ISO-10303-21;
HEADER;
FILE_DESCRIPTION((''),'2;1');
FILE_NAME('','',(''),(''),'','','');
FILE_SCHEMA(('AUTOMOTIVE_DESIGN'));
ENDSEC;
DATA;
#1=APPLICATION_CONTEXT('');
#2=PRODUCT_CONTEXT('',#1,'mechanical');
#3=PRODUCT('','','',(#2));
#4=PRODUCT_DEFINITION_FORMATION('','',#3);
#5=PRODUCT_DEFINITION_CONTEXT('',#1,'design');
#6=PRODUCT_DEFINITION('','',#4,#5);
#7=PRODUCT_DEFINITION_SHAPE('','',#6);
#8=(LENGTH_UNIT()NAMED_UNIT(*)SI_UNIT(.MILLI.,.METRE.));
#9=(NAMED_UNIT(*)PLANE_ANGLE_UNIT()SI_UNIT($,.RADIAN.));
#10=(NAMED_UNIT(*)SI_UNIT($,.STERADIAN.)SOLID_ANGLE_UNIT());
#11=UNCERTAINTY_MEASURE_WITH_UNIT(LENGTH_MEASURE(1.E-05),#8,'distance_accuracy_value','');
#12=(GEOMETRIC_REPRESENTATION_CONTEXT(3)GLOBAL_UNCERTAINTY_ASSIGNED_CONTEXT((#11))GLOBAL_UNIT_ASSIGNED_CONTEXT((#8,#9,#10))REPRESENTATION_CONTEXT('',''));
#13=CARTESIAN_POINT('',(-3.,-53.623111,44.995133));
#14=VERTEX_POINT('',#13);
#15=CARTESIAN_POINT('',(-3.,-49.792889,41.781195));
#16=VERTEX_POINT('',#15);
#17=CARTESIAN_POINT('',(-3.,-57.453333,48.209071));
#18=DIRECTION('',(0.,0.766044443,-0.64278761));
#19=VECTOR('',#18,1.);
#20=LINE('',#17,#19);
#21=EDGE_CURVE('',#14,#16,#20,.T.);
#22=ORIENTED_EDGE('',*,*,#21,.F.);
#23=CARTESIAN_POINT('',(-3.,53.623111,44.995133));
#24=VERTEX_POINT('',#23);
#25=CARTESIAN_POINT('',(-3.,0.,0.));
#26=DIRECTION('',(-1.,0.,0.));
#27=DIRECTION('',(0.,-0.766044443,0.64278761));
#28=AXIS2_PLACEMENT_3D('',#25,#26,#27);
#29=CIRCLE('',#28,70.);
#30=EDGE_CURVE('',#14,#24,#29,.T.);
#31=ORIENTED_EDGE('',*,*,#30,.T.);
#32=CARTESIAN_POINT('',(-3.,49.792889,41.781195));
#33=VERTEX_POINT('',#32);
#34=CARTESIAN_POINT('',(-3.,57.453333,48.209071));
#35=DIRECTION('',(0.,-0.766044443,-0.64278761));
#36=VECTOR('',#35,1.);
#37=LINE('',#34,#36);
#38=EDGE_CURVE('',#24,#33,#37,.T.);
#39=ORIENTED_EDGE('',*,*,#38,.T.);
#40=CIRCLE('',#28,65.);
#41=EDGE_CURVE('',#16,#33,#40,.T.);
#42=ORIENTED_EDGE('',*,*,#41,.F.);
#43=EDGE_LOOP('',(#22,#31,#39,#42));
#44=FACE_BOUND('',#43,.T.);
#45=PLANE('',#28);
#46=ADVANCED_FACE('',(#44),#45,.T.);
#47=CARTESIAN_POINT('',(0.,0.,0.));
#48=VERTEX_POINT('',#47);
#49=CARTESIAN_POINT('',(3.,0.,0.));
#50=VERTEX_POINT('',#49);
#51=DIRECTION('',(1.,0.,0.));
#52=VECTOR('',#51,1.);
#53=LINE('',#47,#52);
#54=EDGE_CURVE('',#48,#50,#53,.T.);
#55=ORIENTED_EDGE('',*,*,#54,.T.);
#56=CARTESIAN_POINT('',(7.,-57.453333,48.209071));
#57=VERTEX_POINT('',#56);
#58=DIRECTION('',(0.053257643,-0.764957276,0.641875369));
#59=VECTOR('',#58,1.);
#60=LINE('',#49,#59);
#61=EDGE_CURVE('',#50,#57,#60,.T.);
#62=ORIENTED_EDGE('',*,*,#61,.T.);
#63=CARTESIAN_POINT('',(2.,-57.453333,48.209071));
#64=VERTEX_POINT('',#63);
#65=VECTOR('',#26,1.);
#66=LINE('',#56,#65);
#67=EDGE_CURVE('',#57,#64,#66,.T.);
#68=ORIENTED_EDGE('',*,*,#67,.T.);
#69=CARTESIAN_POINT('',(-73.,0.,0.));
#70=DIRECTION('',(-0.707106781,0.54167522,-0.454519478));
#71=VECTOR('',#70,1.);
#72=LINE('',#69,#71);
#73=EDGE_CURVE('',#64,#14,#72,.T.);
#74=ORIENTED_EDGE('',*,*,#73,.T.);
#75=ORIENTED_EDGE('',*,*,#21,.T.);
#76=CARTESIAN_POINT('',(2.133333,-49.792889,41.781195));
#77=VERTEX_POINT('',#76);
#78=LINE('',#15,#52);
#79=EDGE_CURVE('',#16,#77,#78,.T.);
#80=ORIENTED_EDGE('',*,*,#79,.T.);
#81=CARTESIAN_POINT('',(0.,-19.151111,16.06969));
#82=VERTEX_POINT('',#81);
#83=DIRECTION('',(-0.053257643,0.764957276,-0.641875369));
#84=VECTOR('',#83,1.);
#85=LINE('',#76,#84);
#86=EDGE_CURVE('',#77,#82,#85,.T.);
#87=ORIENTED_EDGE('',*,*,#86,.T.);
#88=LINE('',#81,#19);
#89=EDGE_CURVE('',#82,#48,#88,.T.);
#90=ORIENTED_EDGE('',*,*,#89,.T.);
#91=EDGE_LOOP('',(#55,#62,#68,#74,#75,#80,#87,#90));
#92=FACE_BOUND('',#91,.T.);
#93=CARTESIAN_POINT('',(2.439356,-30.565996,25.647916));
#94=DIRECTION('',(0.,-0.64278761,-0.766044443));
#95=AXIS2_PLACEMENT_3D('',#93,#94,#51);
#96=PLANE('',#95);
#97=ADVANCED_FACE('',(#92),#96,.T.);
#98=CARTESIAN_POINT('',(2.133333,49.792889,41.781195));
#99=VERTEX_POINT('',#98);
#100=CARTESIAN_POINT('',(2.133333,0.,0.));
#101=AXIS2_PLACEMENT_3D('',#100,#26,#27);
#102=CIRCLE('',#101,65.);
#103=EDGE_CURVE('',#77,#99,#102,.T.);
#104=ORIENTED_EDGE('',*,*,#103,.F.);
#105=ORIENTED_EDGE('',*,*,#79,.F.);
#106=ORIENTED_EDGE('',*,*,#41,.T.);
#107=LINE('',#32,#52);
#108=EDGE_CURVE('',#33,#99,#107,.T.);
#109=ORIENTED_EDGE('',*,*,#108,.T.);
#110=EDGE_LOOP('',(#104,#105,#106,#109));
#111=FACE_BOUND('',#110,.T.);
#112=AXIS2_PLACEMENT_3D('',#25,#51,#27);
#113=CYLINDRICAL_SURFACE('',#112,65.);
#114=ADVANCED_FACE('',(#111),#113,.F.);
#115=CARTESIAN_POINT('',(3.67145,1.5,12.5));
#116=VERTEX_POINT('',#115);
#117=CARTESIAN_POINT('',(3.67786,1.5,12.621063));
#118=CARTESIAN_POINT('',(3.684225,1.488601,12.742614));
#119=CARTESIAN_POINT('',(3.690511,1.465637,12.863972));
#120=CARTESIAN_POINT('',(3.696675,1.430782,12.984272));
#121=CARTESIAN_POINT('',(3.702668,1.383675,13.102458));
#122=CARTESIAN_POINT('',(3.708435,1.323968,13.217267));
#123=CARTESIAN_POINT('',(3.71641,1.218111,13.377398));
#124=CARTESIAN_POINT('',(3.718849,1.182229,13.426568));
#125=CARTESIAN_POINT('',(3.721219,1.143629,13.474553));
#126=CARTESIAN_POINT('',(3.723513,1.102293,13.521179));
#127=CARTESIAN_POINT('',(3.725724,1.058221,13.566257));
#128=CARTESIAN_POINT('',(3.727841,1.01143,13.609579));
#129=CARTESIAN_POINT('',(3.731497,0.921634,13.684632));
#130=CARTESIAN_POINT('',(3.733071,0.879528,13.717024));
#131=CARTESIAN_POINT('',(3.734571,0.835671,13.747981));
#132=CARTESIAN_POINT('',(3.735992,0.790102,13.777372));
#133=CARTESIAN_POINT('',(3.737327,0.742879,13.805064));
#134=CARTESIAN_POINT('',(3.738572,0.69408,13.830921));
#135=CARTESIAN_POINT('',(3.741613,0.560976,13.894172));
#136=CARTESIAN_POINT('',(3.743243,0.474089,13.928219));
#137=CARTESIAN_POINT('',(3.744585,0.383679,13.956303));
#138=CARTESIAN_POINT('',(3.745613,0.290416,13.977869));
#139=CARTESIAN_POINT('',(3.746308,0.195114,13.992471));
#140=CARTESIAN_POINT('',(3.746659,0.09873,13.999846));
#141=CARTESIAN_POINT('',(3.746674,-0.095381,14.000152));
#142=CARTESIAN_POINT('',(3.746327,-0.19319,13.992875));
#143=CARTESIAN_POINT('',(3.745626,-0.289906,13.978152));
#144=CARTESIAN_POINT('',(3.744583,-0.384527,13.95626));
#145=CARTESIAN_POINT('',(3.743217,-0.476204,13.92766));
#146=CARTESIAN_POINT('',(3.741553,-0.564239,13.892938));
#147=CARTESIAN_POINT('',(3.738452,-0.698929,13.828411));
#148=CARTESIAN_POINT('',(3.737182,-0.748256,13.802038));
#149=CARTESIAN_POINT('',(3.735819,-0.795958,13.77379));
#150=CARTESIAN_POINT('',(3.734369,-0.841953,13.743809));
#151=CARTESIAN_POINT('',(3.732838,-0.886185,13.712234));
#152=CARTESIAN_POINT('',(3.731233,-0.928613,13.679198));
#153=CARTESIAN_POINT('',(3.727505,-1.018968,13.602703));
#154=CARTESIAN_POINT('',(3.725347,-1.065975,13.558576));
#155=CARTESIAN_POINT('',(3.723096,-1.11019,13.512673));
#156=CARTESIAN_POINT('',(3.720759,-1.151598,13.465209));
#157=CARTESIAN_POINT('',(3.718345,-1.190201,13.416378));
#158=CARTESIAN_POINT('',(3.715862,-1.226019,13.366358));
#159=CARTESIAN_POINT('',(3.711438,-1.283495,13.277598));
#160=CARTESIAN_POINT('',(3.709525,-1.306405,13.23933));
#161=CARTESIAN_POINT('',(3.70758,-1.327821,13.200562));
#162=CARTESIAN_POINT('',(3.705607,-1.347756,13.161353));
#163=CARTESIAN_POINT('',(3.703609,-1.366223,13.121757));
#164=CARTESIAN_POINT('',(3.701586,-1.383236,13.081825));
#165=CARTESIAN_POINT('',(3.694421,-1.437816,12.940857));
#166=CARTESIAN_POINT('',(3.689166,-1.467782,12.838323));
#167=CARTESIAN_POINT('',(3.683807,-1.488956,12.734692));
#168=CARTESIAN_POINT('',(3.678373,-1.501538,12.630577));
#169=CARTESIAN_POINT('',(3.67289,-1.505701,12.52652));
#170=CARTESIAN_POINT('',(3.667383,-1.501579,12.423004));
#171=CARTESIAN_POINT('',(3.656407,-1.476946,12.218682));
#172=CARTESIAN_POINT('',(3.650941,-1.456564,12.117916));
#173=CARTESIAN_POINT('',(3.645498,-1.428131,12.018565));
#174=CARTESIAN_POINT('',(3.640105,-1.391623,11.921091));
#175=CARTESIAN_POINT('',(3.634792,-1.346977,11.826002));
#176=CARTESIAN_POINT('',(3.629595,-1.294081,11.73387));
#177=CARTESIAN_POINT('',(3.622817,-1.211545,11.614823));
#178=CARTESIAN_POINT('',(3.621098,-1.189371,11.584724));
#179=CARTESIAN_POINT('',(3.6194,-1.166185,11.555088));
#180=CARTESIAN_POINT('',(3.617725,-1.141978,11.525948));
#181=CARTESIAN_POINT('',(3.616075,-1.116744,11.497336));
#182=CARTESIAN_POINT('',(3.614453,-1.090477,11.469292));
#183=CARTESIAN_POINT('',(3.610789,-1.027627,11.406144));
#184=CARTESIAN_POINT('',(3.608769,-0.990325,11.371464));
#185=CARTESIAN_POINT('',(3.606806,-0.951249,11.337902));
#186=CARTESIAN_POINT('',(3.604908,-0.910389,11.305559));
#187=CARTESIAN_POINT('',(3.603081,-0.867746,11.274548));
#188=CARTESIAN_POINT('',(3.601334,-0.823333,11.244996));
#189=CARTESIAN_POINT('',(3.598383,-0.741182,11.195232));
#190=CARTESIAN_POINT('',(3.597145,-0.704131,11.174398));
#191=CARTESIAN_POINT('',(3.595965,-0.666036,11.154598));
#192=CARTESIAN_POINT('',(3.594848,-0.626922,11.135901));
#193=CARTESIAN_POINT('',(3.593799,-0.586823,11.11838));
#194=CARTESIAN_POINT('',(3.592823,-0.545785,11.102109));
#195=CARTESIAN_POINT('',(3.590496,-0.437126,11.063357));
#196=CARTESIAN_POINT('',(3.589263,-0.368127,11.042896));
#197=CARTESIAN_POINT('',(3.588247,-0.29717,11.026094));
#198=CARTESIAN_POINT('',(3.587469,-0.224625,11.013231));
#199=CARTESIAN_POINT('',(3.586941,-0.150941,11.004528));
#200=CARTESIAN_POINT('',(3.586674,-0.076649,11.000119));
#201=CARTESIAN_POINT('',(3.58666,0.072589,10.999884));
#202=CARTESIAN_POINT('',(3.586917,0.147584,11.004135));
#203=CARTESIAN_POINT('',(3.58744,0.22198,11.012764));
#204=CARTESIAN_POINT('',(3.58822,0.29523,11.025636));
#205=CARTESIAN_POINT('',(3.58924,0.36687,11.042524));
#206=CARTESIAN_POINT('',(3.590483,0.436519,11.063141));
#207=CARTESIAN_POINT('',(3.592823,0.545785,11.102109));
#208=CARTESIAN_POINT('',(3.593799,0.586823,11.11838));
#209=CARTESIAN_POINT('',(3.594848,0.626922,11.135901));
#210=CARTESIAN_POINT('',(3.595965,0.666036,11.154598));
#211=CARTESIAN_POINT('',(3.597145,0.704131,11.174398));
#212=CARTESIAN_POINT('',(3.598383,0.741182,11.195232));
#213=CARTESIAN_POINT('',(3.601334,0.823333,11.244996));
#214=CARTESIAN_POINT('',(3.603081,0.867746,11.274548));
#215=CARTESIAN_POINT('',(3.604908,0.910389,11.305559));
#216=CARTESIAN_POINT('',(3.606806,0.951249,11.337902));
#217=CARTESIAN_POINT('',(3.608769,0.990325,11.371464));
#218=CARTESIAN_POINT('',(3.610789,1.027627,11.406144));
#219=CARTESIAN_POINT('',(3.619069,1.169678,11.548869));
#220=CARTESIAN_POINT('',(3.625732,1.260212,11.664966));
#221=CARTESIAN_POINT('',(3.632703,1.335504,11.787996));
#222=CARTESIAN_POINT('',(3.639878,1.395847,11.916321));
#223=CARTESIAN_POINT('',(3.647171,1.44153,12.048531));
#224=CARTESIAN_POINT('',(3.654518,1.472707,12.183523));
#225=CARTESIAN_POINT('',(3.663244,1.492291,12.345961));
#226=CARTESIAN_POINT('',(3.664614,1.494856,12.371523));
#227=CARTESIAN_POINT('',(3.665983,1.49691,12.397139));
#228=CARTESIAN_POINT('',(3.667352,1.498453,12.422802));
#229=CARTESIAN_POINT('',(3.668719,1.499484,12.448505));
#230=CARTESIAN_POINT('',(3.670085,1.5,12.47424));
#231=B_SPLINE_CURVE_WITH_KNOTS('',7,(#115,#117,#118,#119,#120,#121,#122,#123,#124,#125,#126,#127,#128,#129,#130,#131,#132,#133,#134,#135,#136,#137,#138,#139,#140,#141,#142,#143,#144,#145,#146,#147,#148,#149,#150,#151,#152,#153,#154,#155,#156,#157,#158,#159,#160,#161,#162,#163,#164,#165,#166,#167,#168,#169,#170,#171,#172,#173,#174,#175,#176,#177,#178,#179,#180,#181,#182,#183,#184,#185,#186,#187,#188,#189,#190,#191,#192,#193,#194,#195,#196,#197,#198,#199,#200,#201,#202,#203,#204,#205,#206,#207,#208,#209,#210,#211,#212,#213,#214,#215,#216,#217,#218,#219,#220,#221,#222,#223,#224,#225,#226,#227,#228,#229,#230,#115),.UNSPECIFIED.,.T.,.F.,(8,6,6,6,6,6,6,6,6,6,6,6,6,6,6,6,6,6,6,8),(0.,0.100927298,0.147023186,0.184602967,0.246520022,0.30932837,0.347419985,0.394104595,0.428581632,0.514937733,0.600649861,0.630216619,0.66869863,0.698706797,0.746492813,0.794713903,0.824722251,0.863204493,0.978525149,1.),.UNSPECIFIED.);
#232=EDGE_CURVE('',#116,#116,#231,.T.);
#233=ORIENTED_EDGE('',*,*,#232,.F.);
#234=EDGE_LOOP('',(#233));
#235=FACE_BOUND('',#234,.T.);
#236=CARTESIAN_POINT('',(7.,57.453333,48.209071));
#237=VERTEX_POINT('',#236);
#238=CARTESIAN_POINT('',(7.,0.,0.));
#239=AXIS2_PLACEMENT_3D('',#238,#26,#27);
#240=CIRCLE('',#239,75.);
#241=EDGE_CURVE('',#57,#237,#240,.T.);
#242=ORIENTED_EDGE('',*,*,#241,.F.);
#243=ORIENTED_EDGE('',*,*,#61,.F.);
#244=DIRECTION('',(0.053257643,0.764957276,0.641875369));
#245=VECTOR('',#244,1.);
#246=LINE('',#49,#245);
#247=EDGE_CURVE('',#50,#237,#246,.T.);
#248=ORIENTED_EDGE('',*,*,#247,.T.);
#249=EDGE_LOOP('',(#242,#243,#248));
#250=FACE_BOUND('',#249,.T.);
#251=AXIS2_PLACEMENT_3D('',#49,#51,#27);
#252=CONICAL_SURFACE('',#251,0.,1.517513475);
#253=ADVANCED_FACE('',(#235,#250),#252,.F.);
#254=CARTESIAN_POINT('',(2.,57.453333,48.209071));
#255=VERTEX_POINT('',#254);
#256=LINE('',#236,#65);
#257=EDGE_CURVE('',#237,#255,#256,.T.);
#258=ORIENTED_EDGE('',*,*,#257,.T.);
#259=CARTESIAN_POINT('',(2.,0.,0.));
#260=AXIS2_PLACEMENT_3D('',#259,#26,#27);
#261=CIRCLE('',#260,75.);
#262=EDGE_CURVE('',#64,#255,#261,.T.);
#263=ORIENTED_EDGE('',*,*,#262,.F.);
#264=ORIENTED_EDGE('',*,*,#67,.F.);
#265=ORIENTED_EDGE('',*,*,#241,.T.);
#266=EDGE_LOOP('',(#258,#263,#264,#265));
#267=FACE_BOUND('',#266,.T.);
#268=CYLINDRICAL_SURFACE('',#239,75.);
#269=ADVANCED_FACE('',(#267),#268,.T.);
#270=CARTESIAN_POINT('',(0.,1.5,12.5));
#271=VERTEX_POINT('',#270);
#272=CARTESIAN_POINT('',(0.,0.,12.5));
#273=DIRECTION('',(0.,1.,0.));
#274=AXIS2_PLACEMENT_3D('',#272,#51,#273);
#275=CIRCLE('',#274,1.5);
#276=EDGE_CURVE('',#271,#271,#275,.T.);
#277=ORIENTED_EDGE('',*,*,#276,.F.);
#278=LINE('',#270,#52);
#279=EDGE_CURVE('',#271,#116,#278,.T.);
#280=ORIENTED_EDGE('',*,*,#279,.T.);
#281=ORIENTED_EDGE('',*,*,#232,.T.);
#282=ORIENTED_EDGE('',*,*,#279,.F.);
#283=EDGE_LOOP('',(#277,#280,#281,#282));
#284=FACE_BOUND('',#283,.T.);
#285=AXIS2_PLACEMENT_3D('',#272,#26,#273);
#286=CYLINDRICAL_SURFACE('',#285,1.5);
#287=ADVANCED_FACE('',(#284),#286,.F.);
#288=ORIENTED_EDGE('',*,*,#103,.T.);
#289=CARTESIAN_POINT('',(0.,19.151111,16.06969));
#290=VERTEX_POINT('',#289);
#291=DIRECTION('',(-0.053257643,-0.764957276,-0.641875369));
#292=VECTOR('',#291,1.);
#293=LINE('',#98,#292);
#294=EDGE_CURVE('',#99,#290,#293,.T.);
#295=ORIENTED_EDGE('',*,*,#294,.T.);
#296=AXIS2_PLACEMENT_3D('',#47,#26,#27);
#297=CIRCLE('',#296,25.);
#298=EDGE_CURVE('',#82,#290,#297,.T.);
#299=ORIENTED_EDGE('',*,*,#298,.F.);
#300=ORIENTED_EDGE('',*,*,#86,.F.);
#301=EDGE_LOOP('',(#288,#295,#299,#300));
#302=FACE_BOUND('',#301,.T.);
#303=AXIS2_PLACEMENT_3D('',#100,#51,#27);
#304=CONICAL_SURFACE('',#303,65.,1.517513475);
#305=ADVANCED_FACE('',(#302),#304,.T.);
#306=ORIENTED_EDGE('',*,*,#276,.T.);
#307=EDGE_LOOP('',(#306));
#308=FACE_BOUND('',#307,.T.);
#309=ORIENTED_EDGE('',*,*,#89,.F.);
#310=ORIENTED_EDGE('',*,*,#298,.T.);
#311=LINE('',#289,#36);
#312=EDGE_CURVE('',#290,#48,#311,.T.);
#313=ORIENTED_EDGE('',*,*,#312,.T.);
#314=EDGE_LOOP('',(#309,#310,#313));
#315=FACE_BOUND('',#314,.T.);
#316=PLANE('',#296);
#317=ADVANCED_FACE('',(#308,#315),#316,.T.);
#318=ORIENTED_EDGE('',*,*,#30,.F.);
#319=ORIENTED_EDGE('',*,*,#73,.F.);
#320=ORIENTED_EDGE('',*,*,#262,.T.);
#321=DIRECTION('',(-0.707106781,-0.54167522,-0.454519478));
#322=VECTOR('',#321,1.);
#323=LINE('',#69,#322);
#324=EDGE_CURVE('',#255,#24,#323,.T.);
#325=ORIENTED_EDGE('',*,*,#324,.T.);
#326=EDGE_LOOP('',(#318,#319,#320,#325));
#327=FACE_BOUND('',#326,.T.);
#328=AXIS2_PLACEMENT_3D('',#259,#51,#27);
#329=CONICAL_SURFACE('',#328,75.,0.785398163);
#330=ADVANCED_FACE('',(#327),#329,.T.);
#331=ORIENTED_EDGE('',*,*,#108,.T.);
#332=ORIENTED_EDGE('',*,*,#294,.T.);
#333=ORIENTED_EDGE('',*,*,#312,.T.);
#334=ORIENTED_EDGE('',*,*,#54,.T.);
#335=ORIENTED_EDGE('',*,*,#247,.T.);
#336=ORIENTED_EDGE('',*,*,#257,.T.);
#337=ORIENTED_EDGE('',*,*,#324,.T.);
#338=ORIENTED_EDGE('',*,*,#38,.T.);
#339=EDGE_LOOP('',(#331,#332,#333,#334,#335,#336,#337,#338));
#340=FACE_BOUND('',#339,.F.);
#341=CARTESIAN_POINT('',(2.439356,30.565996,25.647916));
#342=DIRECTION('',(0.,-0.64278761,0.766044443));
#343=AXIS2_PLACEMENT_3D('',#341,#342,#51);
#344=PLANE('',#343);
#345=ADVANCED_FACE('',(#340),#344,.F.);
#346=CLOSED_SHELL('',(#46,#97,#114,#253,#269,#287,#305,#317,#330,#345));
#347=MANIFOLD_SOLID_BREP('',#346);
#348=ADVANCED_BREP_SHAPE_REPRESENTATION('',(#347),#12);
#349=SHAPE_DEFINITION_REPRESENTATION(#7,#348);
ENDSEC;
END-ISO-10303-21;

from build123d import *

# Parameters (mm, degrees)
F1_ANGLE_BACK = 50
F1_ANGLE      = 100
F2_SIZE       = 5
F3_R          = 1.5
F4_DEPTH      = 3.7476667667


with BuildPart() as f1:
    # F0 (on Front) → F1 (revolve)
    with BuildSketch(Plane.XZ, mode=Mode.PRIVATE) as f1_sk:
        Polygon((3, 0), (7, 75), (-3, 75), (-3, 65), (2.1333333333, 65), (0, 25), (0, 0), align=None)
    revolve(f1_sk.sketch.rotate(Axis((1.5, 0, 0), (-1, 0, 0)), -F1_ANGLE_BACK), axis=Axis((1.5, 0, 0), (-1, 0, 0)), revolution_arc=F1_ANGLE)

    # F2
    f2_edges = [f1.edges().sort_by_distance(p)[0] for p in [
        (-3, 0, 75),
    ]]
    chamfer(f2_edges, length=F2_SIZE)

    # F3 (on Right) → F4 (cut, through all)
    with BuildSketch(Plane.YZ):
        with Locations((0, 12.5)):
            Circle(F3_R)
    extrude(amount=F4_DEPTH, mode=Mode.SUBTRACT)


solid = f1.part
